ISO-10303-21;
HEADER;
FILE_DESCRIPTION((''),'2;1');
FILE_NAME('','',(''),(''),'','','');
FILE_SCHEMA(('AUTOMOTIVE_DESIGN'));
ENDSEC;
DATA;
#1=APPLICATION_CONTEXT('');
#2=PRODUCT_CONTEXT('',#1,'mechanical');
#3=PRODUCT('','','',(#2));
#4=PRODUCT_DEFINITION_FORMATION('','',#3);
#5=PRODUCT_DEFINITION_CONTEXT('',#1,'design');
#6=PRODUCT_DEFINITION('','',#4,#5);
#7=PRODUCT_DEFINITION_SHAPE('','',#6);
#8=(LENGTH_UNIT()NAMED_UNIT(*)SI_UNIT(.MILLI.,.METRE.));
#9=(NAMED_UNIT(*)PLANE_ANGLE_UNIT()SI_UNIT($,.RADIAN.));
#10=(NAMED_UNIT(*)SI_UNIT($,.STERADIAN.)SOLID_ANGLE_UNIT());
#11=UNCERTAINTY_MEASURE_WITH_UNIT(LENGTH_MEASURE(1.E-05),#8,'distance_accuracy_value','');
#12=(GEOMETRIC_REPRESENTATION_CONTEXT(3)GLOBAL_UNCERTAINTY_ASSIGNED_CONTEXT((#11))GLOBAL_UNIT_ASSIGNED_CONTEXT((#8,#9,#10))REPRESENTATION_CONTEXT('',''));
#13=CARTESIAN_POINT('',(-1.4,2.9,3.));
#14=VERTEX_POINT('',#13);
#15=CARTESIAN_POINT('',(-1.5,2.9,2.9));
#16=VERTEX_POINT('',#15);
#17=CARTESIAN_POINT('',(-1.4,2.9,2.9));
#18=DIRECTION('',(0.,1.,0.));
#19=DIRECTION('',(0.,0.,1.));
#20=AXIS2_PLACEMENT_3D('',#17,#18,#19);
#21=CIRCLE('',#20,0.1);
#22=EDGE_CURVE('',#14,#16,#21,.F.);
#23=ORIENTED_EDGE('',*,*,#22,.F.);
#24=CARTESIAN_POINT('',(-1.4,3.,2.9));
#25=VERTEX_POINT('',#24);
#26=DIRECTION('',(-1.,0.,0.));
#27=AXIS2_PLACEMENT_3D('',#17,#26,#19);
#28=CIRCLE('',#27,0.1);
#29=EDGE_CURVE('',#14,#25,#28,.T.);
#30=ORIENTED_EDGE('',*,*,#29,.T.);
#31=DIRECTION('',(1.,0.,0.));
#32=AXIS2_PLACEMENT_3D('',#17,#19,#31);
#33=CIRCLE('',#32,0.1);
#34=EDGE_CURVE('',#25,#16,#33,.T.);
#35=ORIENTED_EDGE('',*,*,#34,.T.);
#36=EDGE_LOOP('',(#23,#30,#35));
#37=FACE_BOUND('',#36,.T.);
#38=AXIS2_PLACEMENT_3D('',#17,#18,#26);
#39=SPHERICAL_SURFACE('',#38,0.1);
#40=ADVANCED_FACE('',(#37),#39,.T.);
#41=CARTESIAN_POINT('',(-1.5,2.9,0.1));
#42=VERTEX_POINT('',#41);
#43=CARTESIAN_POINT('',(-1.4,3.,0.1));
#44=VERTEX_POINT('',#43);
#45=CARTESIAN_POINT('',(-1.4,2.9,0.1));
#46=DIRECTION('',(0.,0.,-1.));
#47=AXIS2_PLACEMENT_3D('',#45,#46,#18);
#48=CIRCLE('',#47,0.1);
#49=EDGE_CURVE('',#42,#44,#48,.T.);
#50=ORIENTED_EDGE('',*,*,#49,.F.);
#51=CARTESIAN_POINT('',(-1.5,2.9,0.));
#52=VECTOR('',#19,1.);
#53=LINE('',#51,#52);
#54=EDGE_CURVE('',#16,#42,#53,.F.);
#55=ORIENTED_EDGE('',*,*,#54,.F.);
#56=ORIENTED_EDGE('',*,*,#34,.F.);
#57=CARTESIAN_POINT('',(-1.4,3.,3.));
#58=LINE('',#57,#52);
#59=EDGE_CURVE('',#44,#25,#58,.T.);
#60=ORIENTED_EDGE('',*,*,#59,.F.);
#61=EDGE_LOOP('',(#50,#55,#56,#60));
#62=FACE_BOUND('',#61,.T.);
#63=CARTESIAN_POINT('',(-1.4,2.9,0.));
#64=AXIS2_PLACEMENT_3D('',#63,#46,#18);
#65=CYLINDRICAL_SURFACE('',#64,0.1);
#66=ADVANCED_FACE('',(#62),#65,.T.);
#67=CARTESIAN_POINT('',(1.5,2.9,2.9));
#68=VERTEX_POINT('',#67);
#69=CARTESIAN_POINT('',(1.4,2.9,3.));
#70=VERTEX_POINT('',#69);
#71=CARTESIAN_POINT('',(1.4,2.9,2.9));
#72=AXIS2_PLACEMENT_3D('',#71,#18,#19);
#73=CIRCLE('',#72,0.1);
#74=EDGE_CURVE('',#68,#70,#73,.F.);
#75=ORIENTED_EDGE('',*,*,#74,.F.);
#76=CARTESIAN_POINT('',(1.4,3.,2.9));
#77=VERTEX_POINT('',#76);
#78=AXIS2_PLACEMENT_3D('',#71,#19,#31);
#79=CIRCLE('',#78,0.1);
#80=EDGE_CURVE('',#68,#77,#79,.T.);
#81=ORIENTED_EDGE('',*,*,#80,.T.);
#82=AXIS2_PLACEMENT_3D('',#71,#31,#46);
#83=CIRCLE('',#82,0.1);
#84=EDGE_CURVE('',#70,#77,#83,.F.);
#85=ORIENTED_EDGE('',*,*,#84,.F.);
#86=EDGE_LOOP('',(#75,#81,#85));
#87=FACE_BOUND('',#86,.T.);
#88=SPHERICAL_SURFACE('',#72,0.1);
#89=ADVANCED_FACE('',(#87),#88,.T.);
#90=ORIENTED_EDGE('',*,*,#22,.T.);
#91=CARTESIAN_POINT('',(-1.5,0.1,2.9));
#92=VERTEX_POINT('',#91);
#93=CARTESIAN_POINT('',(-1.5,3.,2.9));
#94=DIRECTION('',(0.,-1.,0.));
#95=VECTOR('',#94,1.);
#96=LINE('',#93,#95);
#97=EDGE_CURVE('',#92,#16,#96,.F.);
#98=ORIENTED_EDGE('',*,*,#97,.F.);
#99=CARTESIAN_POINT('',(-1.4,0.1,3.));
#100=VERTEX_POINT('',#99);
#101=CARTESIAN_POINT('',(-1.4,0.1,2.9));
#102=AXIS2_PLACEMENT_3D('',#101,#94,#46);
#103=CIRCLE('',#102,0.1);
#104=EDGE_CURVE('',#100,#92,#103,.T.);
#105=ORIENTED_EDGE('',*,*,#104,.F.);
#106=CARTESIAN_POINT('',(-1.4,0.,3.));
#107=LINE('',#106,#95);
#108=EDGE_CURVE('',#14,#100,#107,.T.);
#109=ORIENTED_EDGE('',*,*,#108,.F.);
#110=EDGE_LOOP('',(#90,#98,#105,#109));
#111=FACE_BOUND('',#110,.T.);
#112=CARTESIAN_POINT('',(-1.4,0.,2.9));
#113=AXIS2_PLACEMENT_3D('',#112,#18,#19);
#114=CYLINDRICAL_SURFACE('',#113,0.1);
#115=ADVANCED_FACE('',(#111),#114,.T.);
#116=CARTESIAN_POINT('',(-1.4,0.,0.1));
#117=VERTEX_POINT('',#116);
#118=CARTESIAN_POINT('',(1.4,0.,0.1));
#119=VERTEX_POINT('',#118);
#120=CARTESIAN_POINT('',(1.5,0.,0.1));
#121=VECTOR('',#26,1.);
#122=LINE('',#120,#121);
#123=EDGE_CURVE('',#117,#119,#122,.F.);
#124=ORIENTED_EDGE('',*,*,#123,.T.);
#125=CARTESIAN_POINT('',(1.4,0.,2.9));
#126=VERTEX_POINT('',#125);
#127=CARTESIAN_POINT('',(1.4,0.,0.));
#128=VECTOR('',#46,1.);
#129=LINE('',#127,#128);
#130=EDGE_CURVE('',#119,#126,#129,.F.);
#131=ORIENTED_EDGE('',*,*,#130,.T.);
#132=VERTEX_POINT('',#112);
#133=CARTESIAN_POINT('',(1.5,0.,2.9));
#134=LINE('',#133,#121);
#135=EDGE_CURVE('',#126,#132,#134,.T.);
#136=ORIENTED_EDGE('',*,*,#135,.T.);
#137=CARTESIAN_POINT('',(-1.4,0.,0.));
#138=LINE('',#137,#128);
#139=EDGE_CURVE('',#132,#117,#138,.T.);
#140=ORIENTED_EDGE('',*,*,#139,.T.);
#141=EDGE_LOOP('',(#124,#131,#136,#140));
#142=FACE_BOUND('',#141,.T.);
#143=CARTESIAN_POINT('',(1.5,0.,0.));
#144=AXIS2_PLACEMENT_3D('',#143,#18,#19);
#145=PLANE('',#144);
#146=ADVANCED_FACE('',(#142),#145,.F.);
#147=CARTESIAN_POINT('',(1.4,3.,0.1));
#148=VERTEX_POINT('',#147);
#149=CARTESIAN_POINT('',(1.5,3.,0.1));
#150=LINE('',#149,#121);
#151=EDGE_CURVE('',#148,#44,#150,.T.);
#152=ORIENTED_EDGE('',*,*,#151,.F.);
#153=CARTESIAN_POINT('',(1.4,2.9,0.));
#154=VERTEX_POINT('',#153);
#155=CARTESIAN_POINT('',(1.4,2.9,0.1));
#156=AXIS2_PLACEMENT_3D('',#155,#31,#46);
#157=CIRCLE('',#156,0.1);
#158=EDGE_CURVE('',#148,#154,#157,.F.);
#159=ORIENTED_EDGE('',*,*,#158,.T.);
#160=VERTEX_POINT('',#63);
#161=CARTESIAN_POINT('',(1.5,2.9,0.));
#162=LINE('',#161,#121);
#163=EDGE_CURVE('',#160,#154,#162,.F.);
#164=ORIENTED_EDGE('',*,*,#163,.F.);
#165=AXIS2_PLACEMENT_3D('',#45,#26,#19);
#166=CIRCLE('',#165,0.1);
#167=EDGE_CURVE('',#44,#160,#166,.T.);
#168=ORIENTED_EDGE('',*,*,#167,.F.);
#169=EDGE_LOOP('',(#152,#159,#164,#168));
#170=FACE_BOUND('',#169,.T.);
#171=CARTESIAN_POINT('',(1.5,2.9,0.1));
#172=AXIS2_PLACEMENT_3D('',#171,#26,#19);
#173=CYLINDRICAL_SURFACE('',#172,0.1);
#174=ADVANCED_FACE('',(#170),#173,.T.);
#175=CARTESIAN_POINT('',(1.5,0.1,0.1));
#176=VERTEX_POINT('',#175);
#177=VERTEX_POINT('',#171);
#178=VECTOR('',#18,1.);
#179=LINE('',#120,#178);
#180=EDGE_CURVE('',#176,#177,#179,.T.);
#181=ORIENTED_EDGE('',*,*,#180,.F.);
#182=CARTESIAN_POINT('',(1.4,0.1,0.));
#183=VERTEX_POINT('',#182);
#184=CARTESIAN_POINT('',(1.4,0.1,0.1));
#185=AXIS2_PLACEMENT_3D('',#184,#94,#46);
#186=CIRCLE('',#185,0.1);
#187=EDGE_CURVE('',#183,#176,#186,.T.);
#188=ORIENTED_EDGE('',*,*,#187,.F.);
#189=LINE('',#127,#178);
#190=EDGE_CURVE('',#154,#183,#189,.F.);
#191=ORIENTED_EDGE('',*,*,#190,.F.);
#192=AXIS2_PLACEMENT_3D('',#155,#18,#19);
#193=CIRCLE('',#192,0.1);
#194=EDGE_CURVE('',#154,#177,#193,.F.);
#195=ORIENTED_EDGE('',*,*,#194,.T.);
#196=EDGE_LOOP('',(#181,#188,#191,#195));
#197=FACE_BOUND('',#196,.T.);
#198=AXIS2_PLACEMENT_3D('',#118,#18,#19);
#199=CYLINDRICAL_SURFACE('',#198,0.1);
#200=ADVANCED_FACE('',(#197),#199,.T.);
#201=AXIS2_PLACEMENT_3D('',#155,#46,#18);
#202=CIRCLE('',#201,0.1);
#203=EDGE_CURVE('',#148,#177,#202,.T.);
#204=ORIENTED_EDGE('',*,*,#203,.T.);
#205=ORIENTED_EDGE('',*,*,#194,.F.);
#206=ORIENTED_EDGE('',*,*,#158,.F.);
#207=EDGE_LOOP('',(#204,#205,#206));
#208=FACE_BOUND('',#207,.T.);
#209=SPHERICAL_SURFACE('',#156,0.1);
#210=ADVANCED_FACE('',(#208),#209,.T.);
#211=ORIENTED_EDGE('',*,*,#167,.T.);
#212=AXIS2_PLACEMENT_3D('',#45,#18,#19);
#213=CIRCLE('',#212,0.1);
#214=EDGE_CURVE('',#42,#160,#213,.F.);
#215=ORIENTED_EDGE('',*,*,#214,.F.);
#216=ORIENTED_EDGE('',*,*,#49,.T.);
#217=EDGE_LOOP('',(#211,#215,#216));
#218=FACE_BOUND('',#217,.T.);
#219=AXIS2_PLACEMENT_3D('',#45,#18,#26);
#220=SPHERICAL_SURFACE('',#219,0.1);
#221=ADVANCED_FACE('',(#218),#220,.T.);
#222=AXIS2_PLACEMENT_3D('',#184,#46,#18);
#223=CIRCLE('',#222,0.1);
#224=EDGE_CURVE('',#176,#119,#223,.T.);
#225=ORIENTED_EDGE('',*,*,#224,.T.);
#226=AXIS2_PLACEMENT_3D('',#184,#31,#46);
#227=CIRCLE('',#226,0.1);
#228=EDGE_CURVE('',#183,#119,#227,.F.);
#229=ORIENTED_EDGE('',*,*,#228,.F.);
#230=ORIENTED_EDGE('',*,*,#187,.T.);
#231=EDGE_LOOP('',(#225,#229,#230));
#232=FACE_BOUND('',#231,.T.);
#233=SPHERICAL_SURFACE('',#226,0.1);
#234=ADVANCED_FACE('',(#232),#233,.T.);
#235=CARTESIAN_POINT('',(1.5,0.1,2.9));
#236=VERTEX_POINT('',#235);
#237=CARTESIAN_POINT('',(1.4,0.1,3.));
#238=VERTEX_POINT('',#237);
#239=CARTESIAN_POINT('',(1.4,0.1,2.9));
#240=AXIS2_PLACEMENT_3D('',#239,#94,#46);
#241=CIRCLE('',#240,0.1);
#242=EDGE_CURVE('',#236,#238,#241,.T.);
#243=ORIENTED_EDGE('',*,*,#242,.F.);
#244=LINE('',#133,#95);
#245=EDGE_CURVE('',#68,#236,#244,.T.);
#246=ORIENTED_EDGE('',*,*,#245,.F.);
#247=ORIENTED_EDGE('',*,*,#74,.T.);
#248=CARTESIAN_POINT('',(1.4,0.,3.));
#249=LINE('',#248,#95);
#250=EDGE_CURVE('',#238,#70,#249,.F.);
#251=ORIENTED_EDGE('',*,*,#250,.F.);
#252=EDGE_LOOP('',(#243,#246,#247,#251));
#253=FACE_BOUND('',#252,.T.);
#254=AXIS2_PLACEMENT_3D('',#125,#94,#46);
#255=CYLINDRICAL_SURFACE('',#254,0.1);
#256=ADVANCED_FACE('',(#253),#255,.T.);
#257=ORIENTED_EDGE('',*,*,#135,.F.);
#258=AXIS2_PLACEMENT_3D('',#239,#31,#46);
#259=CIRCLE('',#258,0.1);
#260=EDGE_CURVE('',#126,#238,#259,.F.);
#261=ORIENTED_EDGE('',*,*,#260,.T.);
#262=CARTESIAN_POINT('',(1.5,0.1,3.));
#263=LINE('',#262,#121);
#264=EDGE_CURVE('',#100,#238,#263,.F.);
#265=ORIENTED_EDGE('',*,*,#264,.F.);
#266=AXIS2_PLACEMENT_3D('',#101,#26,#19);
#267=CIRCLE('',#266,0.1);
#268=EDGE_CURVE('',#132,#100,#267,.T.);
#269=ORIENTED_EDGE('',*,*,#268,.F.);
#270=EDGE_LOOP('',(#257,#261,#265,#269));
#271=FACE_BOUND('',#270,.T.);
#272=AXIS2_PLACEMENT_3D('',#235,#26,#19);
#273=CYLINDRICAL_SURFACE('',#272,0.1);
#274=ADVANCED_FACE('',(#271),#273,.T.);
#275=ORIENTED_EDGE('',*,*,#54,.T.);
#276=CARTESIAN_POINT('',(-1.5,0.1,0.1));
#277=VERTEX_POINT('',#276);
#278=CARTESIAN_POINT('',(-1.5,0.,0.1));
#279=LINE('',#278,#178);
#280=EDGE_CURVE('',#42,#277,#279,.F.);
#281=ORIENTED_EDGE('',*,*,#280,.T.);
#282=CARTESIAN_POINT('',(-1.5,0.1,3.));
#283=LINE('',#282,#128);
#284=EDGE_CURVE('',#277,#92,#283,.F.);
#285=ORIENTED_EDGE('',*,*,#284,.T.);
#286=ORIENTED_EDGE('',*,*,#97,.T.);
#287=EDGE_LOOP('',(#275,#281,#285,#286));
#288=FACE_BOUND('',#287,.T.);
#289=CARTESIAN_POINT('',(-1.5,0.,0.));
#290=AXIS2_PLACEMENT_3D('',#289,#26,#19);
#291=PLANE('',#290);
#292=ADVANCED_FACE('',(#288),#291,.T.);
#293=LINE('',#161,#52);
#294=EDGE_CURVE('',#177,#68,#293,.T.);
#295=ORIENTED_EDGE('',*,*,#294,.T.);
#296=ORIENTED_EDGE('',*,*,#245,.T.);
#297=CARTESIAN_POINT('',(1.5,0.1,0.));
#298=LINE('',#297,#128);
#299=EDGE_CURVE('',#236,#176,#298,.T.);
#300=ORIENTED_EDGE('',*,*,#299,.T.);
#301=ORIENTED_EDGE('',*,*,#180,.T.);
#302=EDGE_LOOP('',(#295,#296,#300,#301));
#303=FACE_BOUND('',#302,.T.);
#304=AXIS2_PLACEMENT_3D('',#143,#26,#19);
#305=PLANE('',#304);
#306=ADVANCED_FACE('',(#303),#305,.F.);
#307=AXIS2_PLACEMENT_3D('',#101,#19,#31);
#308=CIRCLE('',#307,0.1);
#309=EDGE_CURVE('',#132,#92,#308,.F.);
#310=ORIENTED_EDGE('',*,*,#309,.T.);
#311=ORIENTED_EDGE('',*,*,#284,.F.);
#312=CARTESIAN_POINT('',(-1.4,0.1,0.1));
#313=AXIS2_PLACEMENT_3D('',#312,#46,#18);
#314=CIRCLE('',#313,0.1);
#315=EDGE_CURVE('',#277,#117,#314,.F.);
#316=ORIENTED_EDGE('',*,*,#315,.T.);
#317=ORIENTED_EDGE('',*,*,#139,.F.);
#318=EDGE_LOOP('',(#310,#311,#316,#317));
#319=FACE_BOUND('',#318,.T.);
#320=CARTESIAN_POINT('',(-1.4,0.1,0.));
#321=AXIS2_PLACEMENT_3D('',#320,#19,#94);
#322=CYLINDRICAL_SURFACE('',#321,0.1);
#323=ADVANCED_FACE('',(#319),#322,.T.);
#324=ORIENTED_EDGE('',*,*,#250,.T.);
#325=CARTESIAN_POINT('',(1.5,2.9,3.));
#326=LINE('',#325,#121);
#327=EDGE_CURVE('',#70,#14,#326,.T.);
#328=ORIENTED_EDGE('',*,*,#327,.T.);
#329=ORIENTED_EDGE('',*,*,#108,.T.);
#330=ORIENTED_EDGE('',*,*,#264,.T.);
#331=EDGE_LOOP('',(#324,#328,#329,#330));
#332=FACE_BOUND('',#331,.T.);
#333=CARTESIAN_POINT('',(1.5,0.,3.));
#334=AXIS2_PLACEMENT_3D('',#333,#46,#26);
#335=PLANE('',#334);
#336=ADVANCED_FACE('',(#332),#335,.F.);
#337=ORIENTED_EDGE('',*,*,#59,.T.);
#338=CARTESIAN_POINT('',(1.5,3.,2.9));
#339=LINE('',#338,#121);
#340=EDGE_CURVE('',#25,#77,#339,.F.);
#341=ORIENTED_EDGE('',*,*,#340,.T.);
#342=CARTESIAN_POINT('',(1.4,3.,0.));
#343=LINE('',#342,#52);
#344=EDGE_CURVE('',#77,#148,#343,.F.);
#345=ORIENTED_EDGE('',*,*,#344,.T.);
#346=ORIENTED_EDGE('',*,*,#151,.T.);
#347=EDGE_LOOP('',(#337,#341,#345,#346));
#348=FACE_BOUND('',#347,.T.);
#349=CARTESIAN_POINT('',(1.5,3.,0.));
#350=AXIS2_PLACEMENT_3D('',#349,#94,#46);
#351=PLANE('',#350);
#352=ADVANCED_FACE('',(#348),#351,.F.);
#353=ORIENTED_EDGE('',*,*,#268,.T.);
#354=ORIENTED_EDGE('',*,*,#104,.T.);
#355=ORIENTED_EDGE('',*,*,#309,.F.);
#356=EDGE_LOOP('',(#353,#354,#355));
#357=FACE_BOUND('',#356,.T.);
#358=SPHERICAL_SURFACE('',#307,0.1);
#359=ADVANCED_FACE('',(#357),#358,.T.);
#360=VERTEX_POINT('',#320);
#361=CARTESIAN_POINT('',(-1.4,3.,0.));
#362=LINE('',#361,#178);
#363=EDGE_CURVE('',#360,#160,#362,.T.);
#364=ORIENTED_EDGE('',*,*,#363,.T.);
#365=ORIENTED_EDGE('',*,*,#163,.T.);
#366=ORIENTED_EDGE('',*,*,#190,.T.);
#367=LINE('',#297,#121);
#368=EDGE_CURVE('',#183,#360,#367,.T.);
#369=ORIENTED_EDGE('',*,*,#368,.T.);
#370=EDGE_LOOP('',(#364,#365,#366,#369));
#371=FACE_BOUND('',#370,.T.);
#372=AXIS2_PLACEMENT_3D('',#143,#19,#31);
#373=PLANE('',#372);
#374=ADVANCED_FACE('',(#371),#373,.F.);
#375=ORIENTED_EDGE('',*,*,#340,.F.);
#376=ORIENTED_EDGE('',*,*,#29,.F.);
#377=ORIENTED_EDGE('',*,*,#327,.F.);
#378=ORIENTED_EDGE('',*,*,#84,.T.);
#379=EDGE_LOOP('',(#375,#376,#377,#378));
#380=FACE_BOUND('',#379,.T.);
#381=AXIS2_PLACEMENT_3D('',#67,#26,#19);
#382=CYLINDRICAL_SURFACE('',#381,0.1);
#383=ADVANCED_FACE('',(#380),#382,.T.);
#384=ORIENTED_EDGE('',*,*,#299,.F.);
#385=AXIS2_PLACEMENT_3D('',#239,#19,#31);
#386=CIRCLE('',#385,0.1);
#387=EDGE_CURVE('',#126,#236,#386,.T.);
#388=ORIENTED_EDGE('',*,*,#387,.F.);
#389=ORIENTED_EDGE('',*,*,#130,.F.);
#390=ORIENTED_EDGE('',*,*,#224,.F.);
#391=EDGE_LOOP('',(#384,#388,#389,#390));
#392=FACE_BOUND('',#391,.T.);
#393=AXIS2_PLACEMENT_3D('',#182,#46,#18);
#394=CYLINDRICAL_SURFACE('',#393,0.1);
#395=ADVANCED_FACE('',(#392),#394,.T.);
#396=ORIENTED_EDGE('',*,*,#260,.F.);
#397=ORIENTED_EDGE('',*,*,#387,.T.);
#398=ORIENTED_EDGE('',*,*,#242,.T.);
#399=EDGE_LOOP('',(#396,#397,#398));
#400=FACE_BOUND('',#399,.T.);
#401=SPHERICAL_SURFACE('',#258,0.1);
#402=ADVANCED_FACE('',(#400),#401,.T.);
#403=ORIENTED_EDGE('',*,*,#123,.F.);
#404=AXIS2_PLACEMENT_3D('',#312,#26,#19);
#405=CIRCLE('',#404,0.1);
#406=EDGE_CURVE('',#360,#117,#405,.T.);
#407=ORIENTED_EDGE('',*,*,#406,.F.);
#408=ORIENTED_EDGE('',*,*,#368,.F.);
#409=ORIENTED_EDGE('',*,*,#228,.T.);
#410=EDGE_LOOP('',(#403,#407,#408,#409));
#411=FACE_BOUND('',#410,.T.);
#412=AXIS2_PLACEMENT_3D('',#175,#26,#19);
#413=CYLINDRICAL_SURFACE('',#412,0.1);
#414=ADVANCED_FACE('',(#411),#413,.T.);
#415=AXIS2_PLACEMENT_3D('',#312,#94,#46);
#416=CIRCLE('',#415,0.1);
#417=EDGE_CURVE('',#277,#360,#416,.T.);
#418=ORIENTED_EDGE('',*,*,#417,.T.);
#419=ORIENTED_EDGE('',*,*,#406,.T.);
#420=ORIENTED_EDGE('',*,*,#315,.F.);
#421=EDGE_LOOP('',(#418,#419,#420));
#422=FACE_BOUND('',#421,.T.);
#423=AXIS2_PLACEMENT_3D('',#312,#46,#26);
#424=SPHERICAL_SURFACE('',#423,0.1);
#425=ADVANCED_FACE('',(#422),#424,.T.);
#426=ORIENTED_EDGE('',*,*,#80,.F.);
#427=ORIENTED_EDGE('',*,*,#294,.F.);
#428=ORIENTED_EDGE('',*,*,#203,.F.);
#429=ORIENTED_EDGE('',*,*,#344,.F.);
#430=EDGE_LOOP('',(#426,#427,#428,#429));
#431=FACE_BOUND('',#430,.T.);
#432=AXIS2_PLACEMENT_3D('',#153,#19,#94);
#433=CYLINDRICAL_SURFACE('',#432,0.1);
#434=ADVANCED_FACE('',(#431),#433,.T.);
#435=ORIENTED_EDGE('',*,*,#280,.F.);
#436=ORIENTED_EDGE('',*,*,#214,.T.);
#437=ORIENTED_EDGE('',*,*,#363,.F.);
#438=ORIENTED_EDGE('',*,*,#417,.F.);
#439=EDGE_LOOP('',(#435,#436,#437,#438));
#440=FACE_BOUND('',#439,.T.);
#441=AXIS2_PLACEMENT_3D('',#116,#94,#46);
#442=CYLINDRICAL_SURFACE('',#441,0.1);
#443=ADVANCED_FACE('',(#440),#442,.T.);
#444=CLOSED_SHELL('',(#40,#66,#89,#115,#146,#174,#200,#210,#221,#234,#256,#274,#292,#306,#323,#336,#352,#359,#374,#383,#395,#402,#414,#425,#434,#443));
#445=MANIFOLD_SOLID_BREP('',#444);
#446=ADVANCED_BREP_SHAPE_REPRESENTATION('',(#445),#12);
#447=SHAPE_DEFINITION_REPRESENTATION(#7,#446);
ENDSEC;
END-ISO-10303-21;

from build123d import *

# Parameters (mm, degrees)
SKETCH1_W           = 3
SKETCH1_H           = 3
BOSS_EXTRUDE1_DEPTH = 1.5
FILLET1_R           = 0.1


with BuildPart() as part:
    # Sketch1 → Boss-Extrude1 (new body, symmetric)
    with BuildSketch(Plane.YZ):
        with Locations((1.5, 1.5)):
            Rectangle(SKETCH1_W, SKETCH1_H)
    extrude(amount=BOSS_EXTRUDE1_DEPTH, both=True)

    # Fillet1
    fillet1_edges = [part.edges().sort_by_distance(p)[0] for p in [
        (1.5, 3, 1.5),
        (1.5, 1.5, 3),
        (1.5, 0, 1.5),
        (-1.5, 1.5, 3),
        (-1.5, 3, 1.5),
        (-1.5, 1.5, 0),
        (-1.5, 0, 1.5),
        (0, 0, 3),
        (0, 3, 3),
        (0, 3, 0),
        (0, 0, 0),
        (1.5, 1.5, 0),
    ]]
    fillet(fillet1_edges, radius=FILLET1_R)


solid = part.part
